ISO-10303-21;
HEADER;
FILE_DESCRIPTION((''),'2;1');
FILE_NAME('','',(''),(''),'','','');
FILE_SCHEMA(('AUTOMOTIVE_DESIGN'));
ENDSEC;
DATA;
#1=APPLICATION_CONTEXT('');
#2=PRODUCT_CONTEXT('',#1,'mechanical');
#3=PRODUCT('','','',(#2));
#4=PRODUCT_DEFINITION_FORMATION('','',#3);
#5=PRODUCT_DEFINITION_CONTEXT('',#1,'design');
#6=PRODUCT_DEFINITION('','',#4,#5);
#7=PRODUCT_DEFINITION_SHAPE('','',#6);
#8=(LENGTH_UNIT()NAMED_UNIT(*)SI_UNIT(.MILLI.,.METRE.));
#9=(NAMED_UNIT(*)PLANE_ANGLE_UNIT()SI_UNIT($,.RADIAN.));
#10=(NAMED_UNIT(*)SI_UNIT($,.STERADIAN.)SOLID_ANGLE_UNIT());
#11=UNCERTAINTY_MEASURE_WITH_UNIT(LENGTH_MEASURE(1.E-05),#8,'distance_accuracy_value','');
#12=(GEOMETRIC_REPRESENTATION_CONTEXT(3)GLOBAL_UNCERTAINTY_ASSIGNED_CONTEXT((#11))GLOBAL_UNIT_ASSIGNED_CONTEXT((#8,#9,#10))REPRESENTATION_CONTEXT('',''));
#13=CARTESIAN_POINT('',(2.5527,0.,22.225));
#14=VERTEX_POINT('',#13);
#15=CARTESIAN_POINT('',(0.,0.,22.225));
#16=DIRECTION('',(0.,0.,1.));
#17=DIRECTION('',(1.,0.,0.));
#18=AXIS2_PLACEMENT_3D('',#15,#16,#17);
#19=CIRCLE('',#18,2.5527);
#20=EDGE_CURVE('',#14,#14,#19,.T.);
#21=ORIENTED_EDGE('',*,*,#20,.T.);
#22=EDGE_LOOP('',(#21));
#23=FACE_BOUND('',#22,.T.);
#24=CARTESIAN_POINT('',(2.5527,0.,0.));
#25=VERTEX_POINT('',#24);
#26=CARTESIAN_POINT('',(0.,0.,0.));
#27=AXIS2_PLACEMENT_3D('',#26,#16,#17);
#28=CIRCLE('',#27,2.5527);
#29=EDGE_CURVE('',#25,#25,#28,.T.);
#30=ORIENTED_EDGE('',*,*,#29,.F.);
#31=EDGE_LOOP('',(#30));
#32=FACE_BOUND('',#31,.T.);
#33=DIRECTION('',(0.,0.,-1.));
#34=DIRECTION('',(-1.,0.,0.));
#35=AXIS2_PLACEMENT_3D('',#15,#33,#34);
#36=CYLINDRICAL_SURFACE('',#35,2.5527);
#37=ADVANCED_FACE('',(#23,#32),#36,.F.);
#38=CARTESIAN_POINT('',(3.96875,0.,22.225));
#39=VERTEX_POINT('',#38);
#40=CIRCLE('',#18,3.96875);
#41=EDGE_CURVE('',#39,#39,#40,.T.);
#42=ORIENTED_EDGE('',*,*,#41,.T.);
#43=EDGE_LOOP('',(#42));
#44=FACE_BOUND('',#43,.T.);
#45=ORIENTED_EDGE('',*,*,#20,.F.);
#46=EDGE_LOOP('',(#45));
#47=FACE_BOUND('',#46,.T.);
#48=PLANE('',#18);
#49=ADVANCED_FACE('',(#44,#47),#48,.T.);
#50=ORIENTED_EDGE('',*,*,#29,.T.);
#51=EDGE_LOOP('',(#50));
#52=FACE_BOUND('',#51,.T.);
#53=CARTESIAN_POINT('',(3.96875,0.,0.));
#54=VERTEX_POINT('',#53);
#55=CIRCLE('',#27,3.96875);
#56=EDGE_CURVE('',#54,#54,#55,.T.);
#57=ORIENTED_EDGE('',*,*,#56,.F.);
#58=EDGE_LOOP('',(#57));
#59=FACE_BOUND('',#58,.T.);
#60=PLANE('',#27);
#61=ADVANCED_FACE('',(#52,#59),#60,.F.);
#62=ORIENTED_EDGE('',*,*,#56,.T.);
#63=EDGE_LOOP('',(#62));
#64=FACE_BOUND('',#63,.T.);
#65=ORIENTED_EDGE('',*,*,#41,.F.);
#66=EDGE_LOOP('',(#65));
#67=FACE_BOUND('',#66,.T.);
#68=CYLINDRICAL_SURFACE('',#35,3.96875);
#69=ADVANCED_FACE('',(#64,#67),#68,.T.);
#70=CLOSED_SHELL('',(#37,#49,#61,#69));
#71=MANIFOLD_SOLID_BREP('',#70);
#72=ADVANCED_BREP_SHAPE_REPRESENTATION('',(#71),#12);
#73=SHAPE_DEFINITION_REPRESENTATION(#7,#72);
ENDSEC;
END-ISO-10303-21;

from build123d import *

# Parameters (mm, degrees)
SKETCH1_R           = 3.96875
SKETCH1_R_2         = 2.5527
BOSS_EXTRUDE1_DEPTH = 22.225


with BuildPart() as part:
    # Sketch1 → Boss-Extrude1 (new body)
    with BuildSketch(Plane.XY):
        Circle(SKETCH1_R)
        Circle(SKETCH1_R_2, mode=Mode.SUBTRACT)
    extrude(amount=BOSS_EXTRUDE1_DEPTH)


solid = part.part
